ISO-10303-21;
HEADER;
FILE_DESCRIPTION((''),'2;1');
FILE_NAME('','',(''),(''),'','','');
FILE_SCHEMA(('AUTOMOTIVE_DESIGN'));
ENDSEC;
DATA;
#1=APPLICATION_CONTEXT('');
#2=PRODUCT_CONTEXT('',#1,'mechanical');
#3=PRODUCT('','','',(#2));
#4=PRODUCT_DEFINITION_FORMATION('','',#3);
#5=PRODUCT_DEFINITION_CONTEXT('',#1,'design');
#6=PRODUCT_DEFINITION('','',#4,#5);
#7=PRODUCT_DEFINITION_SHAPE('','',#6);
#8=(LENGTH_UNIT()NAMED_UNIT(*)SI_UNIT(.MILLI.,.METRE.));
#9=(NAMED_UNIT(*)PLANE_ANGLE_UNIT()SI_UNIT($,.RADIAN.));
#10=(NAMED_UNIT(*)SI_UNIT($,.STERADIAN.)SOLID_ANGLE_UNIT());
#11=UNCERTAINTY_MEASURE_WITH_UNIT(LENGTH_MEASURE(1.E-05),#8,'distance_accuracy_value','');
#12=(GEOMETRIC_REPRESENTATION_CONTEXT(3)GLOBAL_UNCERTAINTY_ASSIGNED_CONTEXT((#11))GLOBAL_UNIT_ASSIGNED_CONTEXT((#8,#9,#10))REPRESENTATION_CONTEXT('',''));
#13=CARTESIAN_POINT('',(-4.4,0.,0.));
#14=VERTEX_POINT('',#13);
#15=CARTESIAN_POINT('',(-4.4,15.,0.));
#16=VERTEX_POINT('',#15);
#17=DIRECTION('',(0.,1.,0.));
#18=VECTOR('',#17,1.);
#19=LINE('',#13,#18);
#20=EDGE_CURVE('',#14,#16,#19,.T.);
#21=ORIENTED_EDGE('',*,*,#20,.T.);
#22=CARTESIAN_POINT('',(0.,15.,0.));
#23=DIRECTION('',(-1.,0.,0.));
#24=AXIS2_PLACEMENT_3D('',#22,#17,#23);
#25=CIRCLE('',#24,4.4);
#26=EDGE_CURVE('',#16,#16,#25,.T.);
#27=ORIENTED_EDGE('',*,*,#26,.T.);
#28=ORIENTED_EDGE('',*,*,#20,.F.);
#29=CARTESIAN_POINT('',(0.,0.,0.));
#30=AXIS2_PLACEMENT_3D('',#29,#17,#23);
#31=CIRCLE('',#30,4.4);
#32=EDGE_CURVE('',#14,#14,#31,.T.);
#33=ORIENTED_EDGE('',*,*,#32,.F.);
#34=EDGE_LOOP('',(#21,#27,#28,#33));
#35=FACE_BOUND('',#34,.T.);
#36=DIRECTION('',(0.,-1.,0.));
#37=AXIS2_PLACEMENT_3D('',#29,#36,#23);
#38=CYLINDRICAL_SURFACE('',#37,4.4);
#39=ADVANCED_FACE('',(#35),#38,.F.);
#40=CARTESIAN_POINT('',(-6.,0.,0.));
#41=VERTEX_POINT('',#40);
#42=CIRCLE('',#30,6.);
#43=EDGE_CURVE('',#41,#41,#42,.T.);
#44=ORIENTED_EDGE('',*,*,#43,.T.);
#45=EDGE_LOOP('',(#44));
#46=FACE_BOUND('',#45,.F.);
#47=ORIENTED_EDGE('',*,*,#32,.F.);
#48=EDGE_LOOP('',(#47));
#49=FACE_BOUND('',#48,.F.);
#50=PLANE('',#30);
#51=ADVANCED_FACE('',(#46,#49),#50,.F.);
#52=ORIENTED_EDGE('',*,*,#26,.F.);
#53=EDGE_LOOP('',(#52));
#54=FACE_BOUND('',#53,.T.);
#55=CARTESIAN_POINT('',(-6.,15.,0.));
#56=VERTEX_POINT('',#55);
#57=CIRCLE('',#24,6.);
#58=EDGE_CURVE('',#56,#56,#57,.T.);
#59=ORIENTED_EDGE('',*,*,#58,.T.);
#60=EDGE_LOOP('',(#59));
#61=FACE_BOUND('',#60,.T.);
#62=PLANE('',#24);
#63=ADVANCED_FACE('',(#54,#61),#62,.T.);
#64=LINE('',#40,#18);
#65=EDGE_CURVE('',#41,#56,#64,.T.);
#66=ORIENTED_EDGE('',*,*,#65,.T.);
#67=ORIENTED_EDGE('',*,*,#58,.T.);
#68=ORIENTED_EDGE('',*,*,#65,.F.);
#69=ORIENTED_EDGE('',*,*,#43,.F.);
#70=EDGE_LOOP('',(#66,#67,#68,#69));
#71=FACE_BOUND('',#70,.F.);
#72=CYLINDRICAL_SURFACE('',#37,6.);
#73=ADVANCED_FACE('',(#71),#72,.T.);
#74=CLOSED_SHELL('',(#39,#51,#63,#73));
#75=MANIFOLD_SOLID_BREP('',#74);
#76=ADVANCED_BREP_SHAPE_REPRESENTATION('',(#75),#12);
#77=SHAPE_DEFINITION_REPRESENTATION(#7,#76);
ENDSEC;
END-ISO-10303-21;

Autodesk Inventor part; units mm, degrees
ref_plane "YZ Plane" through (0, 0, 0) normal (1, 0, 0) x (0, 1, 0)
ref_plane "XZ Plane" through (0, 0, 0) normal (0, 1, 0) x (-1, 0, 0)
ref_plane "XY Plane" through (0, 0, 0) normal (0, 0, 1) x (1, 0, 0)
sketch "Sketch1" plane through (0, 0, 0) normal (0, 1, 0) x (-1, 0, 0)
  circle A0 centre (0, 0) radius 6
  circle A1 centre (0, 0) radius 4.4
  dimension "d0" = 12
  dimension "d1" = 1.6
extrude "Extrusion1" add sketch "Sketch1" along normal blind 15
properties part number "collaretto"
